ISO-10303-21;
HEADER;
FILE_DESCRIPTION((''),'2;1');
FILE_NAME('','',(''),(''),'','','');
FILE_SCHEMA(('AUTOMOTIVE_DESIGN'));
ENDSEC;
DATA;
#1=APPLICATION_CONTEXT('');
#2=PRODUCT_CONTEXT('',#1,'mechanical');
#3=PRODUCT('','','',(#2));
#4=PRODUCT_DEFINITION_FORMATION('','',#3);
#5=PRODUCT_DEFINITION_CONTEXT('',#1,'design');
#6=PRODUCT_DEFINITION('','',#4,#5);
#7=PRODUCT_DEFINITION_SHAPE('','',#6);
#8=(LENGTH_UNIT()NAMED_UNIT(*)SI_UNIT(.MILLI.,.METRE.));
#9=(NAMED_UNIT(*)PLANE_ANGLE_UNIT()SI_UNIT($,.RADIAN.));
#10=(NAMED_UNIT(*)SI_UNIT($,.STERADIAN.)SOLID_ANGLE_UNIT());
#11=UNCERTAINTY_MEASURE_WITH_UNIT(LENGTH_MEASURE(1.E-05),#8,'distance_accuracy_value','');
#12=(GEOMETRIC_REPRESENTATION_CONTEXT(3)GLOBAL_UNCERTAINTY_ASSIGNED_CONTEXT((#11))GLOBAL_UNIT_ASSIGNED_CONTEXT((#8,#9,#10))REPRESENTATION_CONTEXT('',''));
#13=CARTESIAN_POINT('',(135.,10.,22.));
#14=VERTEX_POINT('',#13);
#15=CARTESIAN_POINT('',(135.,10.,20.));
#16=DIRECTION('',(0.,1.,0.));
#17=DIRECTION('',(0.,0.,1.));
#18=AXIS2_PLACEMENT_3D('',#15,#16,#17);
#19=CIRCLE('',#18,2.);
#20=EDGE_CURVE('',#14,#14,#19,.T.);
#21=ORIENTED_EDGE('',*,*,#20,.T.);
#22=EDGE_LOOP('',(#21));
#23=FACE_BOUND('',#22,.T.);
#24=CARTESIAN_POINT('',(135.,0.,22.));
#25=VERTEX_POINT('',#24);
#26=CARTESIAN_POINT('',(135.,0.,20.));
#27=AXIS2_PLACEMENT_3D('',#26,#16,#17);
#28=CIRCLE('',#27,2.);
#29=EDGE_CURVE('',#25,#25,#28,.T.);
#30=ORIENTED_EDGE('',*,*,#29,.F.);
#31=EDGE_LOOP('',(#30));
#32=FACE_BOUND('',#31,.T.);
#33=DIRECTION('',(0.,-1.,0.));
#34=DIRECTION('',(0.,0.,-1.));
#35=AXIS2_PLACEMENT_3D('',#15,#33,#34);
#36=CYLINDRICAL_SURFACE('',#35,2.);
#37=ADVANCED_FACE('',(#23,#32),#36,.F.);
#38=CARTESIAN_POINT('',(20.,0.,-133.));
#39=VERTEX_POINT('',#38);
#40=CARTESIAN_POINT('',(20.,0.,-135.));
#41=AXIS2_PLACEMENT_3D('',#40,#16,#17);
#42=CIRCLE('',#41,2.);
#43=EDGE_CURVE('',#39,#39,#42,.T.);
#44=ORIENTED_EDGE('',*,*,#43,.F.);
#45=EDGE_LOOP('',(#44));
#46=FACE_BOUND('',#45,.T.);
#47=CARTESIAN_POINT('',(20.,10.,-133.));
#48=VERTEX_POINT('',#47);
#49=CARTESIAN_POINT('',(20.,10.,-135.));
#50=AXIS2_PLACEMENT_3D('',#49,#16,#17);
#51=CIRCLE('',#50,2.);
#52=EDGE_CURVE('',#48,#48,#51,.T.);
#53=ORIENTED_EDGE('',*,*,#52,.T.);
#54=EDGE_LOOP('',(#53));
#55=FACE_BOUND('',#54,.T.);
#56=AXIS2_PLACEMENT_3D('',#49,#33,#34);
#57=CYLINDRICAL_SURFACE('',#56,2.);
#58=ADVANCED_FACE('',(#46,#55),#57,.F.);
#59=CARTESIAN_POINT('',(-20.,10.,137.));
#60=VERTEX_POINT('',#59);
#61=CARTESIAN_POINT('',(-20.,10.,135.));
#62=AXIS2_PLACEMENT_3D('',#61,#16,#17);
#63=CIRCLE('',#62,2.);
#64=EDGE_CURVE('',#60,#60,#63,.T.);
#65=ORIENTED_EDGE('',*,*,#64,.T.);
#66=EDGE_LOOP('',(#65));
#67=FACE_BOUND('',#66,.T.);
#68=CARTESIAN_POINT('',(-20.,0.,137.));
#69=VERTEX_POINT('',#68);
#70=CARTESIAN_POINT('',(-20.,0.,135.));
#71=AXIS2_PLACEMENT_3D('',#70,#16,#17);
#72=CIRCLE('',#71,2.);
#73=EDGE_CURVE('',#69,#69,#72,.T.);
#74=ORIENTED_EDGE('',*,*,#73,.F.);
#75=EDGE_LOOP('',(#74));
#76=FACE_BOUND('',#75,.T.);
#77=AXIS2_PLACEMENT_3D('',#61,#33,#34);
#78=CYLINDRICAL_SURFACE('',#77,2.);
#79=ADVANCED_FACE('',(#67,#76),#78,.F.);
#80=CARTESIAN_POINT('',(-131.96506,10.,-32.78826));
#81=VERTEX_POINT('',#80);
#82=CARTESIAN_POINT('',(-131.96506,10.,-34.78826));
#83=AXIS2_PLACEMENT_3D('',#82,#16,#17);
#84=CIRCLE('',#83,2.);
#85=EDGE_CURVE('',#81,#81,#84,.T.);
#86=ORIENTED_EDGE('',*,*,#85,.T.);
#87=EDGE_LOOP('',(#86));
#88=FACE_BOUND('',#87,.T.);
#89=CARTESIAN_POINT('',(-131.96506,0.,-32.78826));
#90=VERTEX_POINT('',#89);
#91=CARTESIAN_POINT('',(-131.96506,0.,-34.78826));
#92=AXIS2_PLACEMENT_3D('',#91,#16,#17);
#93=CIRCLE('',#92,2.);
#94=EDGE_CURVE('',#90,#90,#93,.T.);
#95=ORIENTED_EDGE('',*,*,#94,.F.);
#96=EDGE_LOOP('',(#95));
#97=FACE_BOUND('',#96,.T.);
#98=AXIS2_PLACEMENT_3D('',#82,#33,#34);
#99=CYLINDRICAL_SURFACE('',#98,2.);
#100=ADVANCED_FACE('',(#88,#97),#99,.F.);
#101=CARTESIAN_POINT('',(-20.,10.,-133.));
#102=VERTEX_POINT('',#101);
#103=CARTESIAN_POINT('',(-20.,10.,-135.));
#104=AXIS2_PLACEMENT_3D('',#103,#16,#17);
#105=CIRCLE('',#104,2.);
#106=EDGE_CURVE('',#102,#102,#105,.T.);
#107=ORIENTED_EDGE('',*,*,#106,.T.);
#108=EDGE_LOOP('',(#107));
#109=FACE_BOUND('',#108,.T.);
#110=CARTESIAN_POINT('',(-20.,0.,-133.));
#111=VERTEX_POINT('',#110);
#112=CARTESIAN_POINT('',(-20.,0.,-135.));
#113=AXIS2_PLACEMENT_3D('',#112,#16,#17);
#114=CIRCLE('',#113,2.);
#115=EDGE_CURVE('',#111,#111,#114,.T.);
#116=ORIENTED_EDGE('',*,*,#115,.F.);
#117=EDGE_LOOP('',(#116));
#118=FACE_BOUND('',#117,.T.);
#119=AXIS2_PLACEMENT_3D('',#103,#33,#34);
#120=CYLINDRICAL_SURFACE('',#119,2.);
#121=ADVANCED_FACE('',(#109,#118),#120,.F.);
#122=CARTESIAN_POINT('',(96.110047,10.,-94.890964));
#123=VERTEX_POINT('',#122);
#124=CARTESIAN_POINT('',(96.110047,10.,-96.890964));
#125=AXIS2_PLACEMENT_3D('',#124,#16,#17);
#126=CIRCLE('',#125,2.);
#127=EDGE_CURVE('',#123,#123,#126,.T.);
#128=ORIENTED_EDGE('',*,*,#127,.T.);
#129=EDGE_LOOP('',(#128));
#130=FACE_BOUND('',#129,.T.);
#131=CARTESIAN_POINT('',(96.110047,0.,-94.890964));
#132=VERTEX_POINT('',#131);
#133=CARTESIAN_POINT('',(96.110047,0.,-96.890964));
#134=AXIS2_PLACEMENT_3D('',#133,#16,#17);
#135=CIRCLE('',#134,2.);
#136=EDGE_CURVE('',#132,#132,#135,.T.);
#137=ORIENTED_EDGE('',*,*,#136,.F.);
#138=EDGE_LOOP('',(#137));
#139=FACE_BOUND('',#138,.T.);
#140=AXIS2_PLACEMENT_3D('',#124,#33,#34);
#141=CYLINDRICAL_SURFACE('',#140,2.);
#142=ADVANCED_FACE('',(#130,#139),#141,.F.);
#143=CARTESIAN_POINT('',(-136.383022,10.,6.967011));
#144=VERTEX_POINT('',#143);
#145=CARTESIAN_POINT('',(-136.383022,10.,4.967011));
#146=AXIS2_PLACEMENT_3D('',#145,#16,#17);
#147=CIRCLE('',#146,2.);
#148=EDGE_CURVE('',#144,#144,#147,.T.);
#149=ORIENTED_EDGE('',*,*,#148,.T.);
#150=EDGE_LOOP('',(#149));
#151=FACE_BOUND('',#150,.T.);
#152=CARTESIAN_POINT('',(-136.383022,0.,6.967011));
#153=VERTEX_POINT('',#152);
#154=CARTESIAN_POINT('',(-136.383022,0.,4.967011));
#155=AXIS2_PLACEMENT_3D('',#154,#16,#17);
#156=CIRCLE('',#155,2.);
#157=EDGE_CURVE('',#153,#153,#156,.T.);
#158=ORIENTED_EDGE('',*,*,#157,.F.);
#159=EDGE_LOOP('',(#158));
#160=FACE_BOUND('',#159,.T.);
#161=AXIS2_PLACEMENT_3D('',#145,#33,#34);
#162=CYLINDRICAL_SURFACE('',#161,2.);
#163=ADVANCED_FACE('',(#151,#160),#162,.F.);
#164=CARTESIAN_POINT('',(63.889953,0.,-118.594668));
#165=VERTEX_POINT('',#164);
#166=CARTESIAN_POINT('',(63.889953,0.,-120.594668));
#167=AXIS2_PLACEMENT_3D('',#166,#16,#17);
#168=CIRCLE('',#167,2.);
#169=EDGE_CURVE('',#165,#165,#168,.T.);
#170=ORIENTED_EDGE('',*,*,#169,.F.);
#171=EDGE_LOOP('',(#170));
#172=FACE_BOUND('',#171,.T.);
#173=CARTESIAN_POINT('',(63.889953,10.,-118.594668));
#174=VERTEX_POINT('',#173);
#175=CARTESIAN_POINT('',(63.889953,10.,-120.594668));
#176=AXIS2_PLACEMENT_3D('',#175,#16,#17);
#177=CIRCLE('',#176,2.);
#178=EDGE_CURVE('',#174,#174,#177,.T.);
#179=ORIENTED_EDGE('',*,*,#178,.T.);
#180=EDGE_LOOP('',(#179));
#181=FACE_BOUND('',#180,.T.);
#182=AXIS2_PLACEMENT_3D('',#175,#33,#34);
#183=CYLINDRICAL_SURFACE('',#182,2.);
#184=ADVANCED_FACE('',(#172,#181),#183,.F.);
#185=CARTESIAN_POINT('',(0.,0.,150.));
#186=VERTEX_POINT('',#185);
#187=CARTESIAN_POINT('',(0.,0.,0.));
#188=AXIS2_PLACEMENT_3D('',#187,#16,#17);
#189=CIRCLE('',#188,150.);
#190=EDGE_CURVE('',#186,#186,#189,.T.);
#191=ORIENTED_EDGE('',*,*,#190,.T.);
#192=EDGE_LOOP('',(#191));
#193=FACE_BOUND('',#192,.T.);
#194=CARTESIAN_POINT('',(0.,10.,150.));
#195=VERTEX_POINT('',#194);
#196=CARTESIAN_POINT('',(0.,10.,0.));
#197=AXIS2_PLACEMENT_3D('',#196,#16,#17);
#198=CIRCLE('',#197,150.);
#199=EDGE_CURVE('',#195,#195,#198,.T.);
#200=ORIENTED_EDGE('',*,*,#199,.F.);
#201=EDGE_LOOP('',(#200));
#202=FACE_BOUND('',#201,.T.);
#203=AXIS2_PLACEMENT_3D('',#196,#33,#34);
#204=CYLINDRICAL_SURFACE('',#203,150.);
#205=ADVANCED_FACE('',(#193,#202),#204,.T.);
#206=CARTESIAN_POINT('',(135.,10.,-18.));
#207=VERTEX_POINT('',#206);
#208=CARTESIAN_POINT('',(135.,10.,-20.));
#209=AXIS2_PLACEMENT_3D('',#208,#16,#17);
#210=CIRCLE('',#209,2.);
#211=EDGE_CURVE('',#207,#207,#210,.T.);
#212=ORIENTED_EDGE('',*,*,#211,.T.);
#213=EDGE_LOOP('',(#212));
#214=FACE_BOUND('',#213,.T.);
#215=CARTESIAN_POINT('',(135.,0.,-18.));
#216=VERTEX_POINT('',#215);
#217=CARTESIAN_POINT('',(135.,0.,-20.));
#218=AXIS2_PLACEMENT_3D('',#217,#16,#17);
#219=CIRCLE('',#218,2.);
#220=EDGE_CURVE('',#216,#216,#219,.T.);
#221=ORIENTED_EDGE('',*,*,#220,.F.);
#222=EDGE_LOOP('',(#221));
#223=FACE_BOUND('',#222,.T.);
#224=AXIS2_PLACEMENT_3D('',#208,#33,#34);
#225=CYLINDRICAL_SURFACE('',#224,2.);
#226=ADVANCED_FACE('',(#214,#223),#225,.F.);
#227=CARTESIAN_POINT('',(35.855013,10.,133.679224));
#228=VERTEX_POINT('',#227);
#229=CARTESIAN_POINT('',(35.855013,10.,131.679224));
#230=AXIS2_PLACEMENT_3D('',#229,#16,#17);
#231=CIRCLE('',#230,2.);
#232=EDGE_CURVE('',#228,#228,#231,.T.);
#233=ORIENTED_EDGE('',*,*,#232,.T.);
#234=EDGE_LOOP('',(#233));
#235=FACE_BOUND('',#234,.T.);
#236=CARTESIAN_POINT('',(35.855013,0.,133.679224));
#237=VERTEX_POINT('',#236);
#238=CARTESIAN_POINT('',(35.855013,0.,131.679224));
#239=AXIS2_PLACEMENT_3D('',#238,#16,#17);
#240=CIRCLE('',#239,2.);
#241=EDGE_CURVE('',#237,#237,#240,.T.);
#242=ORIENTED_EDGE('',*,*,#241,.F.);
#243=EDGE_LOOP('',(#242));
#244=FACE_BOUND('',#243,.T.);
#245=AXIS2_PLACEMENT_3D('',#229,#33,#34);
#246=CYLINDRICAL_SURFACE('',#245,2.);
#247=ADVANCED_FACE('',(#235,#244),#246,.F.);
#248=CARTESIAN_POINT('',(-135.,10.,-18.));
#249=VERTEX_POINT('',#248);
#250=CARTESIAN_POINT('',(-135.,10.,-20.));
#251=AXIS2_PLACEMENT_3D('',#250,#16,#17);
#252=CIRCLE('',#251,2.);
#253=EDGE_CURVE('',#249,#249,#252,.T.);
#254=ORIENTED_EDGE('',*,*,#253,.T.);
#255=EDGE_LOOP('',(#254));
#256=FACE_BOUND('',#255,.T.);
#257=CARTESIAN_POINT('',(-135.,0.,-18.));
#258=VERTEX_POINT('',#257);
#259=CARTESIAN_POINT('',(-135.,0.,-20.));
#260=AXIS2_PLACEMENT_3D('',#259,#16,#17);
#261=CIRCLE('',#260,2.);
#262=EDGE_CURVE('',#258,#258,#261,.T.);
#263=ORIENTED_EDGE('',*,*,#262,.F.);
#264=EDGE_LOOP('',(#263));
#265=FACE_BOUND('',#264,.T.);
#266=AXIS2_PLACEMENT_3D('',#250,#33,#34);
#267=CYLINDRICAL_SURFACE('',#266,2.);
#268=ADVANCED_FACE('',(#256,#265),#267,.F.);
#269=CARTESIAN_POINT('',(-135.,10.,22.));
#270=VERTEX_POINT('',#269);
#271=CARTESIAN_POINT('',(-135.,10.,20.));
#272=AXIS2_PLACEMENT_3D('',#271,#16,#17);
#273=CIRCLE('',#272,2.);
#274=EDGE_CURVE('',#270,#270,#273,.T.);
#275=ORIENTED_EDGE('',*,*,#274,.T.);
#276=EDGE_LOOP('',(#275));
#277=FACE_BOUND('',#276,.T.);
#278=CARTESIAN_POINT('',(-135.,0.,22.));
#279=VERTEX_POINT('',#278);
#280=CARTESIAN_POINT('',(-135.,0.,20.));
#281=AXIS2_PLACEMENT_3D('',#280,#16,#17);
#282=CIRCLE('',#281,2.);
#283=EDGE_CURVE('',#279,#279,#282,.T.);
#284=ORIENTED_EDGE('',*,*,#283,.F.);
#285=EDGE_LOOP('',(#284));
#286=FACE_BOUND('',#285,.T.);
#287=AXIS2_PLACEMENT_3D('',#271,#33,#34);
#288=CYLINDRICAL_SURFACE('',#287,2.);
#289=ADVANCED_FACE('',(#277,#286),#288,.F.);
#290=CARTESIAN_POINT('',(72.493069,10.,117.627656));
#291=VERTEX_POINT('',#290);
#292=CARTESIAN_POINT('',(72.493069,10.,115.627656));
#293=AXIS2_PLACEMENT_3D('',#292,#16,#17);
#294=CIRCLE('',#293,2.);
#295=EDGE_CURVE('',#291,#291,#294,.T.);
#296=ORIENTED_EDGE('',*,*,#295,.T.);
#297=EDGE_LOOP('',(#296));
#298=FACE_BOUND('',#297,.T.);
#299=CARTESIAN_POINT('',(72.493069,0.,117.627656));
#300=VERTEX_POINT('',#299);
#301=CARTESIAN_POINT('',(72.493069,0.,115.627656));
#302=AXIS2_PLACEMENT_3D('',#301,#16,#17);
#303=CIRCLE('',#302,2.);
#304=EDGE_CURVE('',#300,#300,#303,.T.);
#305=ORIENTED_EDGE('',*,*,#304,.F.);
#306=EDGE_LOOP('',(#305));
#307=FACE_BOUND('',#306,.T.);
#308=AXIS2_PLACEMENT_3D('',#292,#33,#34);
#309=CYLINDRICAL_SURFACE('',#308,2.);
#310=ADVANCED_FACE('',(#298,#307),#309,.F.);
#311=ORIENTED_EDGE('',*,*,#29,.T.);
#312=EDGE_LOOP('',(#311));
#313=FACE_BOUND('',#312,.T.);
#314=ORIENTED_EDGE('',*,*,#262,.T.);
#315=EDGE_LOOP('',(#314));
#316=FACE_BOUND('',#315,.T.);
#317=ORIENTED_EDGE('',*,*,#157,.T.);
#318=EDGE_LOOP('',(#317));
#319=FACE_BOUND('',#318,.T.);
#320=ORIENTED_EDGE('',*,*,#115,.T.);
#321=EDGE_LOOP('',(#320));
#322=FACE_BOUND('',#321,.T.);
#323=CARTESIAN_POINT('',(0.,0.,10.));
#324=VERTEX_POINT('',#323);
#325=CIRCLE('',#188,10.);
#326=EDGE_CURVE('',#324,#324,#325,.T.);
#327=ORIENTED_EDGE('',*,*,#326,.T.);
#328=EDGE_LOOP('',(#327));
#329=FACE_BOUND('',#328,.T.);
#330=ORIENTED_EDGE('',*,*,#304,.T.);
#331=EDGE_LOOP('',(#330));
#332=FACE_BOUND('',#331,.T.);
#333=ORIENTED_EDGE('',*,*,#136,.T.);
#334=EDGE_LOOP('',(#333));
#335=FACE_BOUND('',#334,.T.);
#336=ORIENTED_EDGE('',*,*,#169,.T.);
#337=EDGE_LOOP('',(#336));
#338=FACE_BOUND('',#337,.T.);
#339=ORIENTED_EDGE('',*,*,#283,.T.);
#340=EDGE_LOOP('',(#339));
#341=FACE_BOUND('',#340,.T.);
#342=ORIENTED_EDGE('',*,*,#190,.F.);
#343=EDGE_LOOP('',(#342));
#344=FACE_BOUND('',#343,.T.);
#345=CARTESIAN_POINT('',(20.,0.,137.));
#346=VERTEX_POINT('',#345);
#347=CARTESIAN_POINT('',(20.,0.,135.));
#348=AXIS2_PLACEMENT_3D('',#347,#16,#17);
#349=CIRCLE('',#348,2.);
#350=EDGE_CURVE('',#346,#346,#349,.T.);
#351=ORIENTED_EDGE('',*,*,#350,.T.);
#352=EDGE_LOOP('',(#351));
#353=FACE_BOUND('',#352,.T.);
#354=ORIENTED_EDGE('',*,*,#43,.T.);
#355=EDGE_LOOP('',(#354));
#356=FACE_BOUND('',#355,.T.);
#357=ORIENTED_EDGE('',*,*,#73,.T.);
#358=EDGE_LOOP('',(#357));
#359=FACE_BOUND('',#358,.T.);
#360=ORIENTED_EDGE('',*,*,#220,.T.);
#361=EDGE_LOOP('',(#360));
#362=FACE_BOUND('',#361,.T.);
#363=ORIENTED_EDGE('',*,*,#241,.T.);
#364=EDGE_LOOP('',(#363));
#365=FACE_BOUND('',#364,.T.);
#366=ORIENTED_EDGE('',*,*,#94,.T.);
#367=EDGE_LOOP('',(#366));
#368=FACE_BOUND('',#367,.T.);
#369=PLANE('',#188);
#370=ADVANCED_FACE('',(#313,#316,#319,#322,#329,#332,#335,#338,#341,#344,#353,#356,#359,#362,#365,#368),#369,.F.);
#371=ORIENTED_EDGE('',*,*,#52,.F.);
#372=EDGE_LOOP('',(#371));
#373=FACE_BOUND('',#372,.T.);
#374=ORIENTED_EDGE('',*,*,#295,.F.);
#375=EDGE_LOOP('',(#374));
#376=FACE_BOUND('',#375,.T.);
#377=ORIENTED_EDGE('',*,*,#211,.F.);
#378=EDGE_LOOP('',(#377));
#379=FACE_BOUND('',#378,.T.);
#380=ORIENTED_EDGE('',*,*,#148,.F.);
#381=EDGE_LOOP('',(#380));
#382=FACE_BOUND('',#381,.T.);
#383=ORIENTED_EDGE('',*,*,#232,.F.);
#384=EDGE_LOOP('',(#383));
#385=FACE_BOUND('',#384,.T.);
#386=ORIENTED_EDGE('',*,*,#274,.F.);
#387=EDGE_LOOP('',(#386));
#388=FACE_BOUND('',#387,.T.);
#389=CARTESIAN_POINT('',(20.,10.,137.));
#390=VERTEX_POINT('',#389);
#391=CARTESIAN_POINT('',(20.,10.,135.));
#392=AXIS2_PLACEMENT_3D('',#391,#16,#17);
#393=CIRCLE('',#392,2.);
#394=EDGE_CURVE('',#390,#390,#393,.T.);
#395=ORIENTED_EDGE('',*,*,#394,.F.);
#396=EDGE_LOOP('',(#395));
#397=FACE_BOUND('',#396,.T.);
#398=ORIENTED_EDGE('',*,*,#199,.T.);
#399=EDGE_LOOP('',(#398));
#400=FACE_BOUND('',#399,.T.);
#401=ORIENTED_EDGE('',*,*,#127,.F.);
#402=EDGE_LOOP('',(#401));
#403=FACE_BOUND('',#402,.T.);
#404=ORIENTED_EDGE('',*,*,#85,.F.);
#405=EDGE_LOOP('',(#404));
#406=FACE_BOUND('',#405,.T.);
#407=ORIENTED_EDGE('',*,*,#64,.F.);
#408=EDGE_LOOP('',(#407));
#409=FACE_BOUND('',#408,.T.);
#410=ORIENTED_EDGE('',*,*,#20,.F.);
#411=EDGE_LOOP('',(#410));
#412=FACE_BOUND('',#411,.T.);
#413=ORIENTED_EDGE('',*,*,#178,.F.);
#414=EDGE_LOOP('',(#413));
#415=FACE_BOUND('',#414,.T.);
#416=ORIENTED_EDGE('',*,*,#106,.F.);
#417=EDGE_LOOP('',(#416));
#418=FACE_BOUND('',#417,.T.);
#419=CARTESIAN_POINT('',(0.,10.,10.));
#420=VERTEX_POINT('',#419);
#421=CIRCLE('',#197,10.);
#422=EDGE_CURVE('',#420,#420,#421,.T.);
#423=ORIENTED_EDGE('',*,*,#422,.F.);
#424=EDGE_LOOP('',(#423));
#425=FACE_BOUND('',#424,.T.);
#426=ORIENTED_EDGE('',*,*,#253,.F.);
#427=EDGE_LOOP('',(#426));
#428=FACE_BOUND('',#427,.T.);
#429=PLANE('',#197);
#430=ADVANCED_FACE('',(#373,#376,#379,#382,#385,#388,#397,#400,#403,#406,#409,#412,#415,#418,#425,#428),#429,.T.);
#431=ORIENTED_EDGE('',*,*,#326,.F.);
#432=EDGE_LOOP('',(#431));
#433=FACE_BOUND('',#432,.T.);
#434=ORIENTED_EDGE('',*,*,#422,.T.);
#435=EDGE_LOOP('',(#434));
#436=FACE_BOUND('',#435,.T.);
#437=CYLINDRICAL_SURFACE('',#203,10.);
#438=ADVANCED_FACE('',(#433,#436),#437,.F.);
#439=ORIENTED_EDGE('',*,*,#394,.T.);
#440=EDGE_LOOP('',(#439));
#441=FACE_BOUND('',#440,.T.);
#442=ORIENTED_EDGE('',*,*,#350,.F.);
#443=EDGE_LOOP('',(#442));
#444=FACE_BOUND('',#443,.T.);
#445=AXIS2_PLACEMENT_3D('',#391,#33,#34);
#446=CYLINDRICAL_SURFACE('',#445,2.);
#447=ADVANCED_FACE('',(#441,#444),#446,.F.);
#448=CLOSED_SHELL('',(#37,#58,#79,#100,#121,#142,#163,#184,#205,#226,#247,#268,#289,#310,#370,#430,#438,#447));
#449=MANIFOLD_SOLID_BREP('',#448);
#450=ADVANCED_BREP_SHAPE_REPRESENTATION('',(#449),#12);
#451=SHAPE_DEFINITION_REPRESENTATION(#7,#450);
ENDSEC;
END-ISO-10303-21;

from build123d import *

# Parameters (mm, degrees)
SKETCH_1_R      = 150
SKETCH_1_R_2    = 2
SKETCH_1_R_3    = 10
EXTRUDE_1_DEPTH = 10


with BuildPart() as part:
    # 草圖1 → 填料-伸長1 (new body)
    with BuildSketch(Plane(origin=(0, 0, 0), x_dir=(1, 0, 0), z_dir=(0, 1, 0))):
        Circle(SKETCH_1_R)
        with Locations((-20, 135)):
            Circle(SKETCH_1_R_2, mode=Mode.SUBTRACT)
        with Locations((20, 135)):
            Circle(SKETCH_1_R_2, mode=Mode.SUBTRACT)
        with Locations((135, 20)):
            Circle(SKETCH_1_R_2, mode=Mode.SUBTRACT)
        with Locations((135, -20)):
            Circle(SKETCH_1_R_2, mode=Mode.SUBTRACT)
        with Locations((20, -135)):
            Circle(SKETCH_1_R_2, mode=Mode.SUBTRACT)
        with Locations((-20, -135)):
            Circle(SKETCH_1_R_2, mode=Mode.SUBTRACT)
        with Locations((-135, -20)):
            Circle(SKETCH_1_R_2, mode=Mode.SUBTRACT)
        with Locations((-135, 20)):
            Circle(SKETCH_1_R_2, mode=Mode.SUBTRACT)
        Circle(SKETCH_1_R_3, mode=Mode.SUBTRACT)
        with Locations((63.889953207, 120.594667707)):
            Circle(SKETCH_1_R_2, mode=Mode.SUBTRACT)
        with Locations((96.110046793, 96.890964003)):
            Circle(SKETCH_1_R_2, mode=Mode.SUBTRACT)
        with Locations((72.493069191, -115.627656377)):
            Circle(SKETCH_1_R_2, mode=Mode.SUBTRACT)
        with Locations((35.855012827, -131.679224083)):
            Circle(SKETCH_1_R_2, mode=Mode.SUBTRACT)
        with Locations((-136.383022398, -4.96701133)):
            Circle(SKETCH_1_R_2, mode=Mode.SUBTRACT)
        with Locations((-131.96505962, 34.78826008)):
            Circle(SKETCH_1_R_2, mode=Mode.SUBTRACT)
    extrude(amount=EXTRUDE_1_DEPTH)


solid = part.part
